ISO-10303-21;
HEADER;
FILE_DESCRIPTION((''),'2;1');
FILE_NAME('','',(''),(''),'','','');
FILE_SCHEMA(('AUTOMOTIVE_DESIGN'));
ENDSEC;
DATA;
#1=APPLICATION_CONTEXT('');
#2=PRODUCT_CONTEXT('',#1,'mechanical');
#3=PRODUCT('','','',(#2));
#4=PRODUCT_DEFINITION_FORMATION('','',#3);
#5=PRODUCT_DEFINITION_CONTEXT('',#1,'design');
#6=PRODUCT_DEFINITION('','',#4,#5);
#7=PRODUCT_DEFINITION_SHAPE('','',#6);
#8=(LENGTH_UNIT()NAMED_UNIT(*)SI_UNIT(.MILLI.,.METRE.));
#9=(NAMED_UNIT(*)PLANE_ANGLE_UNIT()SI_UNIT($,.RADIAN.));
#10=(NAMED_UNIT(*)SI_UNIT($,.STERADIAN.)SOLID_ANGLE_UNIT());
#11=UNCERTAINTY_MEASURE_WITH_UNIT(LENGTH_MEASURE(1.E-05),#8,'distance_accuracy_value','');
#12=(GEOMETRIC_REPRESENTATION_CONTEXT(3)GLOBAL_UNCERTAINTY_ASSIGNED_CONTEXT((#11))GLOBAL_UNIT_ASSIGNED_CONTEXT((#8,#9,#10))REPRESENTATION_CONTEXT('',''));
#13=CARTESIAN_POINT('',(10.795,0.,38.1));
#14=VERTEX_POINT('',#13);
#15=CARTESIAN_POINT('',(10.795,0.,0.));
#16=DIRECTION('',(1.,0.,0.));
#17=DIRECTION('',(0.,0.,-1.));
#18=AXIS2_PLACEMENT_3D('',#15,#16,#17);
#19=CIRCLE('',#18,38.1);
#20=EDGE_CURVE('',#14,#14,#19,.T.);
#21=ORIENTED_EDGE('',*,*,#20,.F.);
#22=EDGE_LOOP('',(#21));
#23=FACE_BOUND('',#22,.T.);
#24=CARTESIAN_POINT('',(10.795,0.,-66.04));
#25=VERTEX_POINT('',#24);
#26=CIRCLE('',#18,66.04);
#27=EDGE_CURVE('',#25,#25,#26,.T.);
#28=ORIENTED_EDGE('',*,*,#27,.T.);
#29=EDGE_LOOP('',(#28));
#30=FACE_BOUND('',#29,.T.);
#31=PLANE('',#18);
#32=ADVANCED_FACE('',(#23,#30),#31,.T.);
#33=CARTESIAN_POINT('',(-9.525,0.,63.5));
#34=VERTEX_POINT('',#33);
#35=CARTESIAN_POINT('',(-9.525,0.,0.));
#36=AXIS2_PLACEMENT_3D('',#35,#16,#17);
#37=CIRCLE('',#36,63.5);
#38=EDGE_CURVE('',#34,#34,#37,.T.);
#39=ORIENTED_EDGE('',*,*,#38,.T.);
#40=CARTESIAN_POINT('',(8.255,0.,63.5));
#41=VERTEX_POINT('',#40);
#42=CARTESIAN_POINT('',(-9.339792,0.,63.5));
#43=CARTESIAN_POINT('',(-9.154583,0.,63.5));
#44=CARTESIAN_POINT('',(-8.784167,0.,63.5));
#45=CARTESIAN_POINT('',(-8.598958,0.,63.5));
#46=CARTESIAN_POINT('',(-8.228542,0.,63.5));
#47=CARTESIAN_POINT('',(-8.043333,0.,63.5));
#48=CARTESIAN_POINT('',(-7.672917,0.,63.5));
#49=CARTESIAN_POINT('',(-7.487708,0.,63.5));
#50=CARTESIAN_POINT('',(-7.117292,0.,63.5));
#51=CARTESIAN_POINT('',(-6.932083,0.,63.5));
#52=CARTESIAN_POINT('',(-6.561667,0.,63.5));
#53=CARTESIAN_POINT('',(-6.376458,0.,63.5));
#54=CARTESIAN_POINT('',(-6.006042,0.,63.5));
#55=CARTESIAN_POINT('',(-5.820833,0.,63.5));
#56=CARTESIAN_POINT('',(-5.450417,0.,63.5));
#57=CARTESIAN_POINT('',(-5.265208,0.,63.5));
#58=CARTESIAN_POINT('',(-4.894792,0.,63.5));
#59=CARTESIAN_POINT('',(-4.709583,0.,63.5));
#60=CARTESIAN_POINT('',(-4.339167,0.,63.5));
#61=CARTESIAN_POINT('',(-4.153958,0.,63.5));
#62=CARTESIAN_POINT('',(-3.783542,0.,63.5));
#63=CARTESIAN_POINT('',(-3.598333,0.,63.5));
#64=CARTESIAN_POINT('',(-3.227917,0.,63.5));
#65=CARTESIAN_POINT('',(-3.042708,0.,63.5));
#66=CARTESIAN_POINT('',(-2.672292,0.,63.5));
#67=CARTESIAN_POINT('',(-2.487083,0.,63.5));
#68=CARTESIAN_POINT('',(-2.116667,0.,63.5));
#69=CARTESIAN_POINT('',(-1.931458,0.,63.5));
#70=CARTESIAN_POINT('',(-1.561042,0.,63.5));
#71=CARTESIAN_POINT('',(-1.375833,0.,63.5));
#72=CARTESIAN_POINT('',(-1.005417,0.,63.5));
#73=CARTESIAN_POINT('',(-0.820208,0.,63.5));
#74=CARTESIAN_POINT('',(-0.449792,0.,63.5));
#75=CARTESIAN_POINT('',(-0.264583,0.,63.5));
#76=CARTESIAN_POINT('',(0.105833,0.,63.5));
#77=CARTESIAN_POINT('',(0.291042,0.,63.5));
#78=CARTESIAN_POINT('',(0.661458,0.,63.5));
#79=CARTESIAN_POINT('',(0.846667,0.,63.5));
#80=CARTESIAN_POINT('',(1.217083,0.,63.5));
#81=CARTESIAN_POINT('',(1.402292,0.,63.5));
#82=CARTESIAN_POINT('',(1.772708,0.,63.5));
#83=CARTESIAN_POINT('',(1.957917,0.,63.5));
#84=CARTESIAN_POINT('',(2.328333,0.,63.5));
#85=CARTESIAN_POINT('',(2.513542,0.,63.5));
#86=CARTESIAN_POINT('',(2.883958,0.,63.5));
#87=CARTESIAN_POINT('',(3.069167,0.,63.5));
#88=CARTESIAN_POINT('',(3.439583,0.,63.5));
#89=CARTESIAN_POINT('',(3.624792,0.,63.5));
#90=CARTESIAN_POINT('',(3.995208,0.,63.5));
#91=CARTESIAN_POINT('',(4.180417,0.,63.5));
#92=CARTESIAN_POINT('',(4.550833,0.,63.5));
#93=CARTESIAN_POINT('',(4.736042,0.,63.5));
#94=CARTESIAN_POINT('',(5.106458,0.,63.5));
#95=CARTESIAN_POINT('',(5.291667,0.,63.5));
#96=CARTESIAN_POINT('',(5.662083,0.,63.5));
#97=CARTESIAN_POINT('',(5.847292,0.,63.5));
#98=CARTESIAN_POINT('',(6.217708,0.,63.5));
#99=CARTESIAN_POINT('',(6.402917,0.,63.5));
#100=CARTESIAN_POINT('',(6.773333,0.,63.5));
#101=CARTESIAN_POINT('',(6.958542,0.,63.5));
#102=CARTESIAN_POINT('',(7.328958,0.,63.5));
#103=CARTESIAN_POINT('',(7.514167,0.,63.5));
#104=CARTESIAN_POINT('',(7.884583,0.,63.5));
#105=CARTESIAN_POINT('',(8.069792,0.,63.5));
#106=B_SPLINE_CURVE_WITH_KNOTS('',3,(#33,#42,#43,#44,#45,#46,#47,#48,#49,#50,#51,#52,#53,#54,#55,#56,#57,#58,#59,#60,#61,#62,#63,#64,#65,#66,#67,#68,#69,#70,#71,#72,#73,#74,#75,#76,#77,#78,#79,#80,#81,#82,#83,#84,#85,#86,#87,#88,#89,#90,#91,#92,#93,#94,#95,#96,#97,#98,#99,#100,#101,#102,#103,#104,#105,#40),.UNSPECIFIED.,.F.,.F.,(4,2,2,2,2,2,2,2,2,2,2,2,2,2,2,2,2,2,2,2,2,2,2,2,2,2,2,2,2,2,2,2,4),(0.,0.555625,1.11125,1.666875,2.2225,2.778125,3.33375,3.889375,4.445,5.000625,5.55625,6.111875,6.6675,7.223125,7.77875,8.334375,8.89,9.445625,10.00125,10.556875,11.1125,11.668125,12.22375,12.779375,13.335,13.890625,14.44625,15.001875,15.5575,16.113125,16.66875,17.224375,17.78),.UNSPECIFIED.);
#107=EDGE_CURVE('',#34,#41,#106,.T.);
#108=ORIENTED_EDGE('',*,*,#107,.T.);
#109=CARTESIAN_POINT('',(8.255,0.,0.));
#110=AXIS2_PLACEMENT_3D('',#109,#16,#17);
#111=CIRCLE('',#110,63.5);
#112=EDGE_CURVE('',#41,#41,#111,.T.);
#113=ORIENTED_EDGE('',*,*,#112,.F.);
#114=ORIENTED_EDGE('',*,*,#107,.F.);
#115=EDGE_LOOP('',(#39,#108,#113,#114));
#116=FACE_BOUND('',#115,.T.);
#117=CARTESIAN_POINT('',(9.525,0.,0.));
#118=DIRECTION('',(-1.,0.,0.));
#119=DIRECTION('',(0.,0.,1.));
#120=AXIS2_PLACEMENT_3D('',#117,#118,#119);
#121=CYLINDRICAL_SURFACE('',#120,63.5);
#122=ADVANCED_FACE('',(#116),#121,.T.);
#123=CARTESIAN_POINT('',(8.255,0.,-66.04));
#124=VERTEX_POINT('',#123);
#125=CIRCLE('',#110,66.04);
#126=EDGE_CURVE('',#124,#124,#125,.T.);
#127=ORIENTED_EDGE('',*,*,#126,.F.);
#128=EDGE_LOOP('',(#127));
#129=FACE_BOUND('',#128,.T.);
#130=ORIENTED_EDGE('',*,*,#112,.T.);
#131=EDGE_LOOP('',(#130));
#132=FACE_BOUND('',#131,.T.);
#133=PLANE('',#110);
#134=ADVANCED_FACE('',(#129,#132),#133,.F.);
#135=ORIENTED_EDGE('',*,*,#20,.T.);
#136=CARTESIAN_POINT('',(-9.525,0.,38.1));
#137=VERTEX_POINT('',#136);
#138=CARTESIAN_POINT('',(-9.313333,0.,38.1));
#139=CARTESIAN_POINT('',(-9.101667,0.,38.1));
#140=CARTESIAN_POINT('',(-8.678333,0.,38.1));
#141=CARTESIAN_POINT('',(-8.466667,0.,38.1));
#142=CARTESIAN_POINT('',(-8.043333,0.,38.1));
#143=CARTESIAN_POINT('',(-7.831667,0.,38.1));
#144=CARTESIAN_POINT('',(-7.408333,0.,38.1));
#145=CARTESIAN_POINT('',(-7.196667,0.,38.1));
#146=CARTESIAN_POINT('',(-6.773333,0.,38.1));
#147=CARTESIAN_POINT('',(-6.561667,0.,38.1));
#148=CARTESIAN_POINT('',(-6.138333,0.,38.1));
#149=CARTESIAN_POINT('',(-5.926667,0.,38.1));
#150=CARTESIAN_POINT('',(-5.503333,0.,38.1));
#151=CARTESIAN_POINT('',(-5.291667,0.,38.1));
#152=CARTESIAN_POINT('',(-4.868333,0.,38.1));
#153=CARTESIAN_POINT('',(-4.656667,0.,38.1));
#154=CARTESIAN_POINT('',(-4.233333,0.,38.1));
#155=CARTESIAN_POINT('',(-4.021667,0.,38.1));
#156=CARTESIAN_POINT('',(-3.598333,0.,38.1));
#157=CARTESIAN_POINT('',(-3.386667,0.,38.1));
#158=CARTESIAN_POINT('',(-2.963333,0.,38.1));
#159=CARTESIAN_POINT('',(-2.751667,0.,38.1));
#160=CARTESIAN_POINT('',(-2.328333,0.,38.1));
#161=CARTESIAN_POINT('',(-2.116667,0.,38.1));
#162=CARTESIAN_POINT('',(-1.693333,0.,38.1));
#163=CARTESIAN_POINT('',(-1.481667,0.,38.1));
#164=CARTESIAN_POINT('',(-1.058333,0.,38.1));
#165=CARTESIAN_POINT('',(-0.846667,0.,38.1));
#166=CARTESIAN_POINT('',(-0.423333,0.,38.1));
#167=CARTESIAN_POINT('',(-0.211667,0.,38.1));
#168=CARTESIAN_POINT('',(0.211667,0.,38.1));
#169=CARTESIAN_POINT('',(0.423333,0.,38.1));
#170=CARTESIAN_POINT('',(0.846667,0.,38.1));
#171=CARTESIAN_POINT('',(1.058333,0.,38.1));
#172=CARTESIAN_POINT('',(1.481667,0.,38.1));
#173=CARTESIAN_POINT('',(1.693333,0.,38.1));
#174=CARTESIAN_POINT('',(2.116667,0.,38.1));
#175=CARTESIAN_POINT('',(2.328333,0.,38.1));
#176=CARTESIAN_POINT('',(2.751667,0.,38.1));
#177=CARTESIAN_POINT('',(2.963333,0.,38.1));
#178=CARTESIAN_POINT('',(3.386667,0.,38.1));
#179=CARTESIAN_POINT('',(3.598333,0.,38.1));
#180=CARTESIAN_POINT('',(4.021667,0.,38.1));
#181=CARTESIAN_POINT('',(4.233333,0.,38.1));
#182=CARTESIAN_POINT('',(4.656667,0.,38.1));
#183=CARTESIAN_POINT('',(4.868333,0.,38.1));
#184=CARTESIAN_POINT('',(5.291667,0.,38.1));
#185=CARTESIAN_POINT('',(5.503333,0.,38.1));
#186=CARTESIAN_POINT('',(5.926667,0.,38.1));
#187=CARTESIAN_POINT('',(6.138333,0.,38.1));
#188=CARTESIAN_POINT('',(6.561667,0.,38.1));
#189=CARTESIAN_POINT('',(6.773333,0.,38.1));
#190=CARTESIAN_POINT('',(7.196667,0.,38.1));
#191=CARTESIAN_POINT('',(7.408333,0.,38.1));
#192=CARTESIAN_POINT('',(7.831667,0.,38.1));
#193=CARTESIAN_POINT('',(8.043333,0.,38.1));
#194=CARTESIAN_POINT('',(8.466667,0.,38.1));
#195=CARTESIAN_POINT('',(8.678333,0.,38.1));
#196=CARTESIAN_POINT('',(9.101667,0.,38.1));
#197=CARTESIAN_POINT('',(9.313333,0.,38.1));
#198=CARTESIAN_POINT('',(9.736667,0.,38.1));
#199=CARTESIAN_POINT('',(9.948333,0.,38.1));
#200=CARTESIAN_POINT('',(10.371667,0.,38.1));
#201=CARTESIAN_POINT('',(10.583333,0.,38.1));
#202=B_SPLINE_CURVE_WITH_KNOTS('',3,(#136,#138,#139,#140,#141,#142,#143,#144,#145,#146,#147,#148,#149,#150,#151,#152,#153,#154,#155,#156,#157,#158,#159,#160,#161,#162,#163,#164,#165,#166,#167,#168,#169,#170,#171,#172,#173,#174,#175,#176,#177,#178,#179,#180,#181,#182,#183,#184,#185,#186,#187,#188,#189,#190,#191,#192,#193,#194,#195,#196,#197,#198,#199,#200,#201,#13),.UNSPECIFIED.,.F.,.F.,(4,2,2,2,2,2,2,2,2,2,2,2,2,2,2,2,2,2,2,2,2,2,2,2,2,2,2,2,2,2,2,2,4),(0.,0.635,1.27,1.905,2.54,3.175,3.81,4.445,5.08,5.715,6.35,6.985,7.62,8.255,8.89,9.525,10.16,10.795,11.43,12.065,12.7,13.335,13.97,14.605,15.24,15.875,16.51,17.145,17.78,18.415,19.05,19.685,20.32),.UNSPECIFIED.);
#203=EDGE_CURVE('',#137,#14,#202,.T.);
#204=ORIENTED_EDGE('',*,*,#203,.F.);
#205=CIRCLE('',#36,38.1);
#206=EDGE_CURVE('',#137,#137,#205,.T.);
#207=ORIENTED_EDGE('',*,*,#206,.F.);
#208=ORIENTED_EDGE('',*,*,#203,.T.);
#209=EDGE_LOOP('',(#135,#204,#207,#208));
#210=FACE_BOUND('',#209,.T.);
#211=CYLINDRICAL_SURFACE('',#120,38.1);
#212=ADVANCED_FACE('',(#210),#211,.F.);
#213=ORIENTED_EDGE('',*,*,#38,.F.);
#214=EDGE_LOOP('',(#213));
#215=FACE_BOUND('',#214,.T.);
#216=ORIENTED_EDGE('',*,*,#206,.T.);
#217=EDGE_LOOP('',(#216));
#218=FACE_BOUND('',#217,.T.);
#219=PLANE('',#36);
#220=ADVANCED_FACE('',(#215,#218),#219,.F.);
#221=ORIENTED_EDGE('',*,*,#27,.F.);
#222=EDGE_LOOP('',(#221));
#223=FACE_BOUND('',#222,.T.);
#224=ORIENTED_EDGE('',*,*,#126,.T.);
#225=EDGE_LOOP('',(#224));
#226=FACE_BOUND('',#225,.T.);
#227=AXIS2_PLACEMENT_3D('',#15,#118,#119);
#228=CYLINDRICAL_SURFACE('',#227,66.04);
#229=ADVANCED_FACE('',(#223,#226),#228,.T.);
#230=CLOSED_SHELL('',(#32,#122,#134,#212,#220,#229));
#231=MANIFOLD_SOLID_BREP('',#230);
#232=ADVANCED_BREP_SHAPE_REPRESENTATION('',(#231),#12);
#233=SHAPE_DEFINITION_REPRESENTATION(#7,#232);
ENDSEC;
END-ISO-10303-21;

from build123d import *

# Parameters (mm, degrees)
SKETCH1_R           = 63.5
SKETCH1_R_2         = 38.1
BOSS_EXTRUDE1_DEPTH = 9.525
SKETCH2_R           = 66.04
SKETCH2_R_2         = 38.1
BOSS_EXTRUDE2_DEPTH = 1.27


with BuildPart() as part:
    # Sketch1 → Boss-Extrude1 (new, symmetric)
    with BuildSketch(Plane(origin=(0, 0, 0), x_dir=(0, 0, -1), z_dir=(1, 0, 0))):
        with Locations(Location((0, 0, 0), (0, 0, 180))):
            Circle(SKETCH1_R)
        with Locations(Location((0, 0, 0), (0, 0, 180))):
            Circle(SKETCH1_R_2, mode=Mode.SUBTRACT)
    extrude(amount=BOSS_EXTRUDE1_DEPTH, both=True)

    # Sketch2 → Boss-Extrude2 (add, symmetric)
    with BuildSketch(Plane(origin=(9.525, 0, 0), x_dir=(0, 0, -1), z_dir=(1, 0, 0))):
        Circle(SKETCH2_R)
        with Locations(Location((0, 0, 0), (0, 0, 180))):
            Circle(SKETCH2_R_2, mode=Mode.SUBTRACT)
    extrude(amount=BOSS_EXTRUDE2_DEPTH, both=True)


solid = part.part
